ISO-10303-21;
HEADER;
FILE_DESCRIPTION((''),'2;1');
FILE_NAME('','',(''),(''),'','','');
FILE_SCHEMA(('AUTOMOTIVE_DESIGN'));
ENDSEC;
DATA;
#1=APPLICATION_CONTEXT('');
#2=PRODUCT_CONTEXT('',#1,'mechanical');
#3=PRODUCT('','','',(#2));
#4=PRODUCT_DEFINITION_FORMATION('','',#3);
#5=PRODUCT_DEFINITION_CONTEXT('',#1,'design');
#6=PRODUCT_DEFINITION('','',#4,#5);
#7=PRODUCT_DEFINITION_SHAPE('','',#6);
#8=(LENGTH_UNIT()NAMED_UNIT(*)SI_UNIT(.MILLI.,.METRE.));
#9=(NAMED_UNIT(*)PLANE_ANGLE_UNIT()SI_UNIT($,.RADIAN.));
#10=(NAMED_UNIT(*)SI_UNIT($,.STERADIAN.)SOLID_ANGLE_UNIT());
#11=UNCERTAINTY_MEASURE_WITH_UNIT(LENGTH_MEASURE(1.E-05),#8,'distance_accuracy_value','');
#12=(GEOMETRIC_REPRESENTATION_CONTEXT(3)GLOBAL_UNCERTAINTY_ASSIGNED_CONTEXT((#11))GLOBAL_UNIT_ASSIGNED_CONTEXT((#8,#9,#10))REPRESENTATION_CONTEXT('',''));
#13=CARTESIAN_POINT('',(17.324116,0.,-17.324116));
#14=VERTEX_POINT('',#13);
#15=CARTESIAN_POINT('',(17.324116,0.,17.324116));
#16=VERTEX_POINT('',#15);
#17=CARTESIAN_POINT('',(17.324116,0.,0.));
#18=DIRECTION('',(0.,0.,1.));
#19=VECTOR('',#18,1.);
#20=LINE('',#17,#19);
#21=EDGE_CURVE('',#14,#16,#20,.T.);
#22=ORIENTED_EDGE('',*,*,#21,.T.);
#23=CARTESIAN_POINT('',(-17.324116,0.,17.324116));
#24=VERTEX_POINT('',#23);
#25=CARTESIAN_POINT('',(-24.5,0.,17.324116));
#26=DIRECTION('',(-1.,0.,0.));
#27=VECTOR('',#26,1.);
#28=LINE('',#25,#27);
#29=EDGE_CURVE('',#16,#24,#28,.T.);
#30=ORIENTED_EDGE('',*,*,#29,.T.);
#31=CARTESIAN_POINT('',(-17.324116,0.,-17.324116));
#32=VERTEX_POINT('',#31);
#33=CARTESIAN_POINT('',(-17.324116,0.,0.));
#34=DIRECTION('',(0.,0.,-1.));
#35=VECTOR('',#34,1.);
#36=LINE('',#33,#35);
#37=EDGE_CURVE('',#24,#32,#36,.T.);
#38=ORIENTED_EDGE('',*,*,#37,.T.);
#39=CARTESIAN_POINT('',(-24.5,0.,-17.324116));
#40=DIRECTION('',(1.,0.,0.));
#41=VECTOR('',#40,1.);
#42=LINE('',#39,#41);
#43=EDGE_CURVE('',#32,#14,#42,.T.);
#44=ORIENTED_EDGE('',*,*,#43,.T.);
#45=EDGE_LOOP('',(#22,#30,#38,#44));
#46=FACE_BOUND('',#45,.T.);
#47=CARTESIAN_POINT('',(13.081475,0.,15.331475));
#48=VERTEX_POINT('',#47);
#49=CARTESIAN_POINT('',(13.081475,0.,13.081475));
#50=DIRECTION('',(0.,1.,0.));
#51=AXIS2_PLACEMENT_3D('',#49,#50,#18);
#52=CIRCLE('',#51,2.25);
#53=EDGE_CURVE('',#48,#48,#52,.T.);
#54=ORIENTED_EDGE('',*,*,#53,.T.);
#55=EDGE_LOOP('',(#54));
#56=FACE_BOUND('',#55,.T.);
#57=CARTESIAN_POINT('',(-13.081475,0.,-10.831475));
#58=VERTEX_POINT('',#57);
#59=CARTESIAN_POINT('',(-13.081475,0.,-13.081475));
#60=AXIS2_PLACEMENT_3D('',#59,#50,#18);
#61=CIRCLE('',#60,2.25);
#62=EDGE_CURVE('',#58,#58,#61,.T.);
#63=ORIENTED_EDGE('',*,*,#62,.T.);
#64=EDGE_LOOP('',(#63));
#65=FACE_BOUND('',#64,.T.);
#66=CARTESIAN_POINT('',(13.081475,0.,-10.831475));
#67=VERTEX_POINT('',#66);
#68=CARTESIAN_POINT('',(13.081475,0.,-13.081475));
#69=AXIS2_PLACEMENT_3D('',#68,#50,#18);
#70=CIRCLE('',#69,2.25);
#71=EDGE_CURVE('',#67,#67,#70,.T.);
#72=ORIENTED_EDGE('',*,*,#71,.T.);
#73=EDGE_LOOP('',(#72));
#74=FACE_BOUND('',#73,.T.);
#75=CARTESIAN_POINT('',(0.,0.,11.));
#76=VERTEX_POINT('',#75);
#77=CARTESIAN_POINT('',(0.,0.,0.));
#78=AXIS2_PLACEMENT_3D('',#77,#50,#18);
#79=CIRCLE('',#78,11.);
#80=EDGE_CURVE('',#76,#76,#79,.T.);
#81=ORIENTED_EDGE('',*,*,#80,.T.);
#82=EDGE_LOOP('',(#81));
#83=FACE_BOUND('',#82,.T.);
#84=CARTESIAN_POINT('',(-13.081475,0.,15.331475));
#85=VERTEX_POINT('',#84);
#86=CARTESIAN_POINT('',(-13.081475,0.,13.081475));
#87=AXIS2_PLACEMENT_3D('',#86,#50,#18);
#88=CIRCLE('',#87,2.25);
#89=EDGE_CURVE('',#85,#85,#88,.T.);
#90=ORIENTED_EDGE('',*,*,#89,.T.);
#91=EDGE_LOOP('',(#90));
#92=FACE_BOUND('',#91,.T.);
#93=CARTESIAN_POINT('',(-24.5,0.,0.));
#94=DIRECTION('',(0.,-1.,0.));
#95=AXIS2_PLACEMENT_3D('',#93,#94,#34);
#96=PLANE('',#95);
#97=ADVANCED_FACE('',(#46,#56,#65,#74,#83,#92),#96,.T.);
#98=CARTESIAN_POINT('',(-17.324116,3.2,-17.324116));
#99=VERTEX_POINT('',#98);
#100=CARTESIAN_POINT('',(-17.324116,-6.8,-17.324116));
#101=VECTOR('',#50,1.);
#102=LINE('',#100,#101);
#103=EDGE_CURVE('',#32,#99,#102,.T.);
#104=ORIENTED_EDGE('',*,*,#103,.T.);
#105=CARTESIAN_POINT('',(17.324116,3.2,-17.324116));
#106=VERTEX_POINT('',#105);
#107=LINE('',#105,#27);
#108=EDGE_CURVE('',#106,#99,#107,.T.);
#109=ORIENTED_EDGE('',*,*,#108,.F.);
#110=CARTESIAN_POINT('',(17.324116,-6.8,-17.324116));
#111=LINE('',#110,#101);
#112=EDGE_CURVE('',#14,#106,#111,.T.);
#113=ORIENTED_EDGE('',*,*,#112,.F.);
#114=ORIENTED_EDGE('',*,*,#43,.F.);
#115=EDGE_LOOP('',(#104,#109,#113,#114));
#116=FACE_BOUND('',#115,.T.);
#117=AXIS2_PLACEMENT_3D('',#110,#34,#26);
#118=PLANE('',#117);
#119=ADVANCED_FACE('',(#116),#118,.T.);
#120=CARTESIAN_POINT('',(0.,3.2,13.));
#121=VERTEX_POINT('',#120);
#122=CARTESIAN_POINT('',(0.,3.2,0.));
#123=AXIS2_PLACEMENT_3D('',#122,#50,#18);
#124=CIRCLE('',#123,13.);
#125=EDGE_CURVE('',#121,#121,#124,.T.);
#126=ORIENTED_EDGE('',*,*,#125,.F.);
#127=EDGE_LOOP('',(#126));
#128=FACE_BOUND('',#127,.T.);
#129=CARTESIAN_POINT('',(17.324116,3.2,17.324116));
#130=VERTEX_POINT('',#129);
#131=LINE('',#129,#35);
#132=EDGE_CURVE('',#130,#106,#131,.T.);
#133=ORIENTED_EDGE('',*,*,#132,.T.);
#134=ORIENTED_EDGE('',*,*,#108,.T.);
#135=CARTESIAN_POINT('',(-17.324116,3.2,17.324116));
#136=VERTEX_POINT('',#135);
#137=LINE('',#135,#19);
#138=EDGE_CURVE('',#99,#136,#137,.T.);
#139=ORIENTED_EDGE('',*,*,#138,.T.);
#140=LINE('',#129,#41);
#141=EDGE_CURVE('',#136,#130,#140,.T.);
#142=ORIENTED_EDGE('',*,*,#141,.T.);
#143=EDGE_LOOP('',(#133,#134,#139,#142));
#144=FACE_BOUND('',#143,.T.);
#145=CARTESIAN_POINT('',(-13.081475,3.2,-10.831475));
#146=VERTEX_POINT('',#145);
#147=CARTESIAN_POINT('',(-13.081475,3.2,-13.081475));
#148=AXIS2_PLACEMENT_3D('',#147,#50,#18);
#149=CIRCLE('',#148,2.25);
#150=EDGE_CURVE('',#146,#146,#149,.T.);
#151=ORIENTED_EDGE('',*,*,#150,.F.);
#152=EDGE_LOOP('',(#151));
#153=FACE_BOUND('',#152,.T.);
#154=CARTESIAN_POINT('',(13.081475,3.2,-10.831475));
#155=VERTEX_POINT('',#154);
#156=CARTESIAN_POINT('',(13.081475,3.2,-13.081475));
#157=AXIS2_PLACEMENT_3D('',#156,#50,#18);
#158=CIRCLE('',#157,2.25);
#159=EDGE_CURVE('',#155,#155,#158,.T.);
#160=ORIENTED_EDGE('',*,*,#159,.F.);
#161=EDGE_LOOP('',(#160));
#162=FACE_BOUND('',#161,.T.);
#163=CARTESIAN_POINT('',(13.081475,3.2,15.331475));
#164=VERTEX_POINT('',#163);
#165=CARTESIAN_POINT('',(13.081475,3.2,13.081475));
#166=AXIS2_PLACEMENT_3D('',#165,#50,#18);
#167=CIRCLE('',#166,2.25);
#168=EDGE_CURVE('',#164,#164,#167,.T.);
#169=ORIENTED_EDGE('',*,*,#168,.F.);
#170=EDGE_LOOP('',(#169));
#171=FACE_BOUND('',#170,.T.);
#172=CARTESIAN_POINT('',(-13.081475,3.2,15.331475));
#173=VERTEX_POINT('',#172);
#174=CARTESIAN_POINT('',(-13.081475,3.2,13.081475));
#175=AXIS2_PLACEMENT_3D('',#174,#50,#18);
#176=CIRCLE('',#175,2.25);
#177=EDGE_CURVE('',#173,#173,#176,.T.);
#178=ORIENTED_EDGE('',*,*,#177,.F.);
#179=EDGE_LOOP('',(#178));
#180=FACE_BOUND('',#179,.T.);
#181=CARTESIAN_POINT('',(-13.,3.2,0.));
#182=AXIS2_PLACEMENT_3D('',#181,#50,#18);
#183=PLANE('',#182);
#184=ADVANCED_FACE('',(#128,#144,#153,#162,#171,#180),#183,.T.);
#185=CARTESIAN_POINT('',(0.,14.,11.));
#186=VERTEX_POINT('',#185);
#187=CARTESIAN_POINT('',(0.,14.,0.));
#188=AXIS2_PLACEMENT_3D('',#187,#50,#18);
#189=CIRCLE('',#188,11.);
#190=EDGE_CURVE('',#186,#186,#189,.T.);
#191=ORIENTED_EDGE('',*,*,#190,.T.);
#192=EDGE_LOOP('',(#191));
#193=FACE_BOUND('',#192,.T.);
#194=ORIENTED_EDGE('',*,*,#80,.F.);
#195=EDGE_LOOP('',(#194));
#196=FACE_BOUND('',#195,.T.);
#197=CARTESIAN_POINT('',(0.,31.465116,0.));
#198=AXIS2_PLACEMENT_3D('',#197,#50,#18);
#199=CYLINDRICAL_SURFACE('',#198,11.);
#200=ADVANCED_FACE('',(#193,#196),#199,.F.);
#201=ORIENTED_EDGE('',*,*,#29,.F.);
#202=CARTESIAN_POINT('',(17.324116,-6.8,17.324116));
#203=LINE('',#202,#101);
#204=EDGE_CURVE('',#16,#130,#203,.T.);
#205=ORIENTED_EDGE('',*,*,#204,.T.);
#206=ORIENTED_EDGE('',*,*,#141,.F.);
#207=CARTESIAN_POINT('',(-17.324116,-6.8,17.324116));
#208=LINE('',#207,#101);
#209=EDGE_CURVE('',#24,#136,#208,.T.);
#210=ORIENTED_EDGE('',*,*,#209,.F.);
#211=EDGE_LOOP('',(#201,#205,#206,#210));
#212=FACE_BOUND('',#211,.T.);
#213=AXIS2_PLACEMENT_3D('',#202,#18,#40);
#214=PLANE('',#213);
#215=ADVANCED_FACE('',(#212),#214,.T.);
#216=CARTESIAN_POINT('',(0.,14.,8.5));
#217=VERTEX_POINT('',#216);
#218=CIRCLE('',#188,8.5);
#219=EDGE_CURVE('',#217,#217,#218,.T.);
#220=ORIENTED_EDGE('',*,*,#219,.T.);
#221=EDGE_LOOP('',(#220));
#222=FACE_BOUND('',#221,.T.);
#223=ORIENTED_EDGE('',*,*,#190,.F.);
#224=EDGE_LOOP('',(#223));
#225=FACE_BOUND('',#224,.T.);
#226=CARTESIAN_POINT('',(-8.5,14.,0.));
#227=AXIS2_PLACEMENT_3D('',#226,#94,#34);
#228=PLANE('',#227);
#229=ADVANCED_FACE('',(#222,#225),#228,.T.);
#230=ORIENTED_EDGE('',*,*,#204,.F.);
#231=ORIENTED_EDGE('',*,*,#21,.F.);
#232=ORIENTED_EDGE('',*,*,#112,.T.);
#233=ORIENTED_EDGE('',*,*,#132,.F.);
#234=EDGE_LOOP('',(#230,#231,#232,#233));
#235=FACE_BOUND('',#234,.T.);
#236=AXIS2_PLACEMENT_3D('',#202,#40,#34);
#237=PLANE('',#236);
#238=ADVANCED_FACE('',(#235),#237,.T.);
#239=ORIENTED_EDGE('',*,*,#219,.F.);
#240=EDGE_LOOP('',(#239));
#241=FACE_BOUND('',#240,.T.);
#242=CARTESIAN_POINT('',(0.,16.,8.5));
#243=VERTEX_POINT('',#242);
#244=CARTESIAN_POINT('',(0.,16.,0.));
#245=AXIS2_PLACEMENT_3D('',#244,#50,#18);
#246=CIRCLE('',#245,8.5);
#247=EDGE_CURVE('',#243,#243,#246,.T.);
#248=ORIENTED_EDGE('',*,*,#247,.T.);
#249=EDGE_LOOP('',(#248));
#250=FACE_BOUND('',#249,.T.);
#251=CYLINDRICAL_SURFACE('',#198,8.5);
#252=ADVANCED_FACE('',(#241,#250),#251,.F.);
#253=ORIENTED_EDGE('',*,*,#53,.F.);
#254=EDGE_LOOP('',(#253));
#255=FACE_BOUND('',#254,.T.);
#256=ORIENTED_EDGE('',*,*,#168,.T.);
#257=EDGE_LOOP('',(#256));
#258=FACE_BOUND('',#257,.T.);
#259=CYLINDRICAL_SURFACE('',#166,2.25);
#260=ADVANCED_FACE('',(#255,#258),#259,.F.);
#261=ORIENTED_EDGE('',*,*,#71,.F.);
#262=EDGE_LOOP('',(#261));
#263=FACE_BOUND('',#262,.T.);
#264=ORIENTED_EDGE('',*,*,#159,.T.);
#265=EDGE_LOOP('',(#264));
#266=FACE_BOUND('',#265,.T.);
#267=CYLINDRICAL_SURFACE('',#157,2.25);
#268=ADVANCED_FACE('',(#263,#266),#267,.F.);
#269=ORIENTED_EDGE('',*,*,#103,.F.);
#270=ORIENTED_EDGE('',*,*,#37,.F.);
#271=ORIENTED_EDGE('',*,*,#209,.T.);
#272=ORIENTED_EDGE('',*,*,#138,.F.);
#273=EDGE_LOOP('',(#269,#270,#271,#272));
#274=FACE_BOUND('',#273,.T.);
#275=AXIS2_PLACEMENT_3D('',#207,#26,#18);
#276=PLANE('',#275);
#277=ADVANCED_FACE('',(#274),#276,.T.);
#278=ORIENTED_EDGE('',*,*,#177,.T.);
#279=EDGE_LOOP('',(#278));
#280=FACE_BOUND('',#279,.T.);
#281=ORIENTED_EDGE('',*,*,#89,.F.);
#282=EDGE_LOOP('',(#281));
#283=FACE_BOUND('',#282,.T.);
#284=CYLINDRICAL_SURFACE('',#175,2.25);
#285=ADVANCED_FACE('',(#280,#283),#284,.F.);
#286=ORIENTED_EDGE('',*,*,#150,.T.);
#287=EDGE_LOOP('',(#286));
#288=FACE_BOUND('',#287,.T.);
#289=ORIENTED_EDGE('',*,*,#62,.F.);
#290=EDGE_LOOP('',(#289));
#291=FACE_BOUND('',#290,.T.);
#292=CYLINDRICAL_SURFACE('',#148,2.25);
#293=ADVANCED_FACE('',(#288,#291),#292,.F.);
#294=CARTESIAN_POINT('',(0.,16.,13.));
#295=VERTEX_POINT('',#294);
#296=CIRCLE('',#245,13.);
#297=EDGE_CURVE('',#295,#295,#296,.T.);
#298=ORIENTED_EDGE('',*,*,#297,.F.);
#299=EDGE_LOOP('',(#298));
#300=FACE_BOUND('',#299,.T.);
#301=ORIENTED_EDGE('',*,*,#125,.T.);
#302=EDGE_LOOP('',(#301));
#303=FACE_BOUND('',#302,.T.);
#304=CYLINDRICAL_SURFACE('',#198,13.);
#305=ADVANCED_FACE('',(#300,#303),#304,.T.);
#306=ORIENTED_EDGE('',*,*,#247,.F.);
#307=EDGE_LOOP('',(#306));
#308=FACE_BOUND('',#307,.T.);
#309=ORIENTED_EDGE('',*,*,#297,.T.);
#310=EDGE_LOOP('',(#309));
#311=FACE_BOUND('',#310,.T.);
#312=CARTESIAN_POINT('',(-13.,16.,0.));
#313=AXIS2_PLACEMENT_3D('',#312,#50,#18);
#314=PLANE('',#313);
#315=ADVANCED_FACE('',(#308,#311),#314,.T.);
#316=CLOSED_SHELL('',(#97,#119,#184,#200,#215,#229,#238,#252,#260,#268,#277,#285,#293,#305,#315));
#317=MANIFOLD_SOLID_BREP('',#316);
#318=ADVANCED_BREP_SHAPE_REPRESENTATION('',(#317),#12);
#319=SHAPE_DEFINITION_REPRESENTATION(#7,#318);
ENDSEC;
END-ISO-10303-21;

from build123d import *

# Parameters (mm, degrees)
M4_CLEARANCE_HOLE1_D = 4.5
SKETCH5_W            = 85.847558644
SKETCH5_H            = 65.066287946
SKETCH5_W_2          = 34.648232278
SKETCH5_H_2          = 34.648232278
CUT_EXTRUDE2_DEPTH   = 10


with BuildPart() as part:
    # Sketch1 → Revolve1 (revolve)
    with BuildSketch(Plane.XY):
        Polygon((-24.5, 0), (-11, 0), (-11, 14), (-8.5, 14), (-8.5, 16), (-13, 16), (-13, 3.2), (-24.5, 3.2), align=None)
    revolve(axis=Axis((0, 31.465116279, 0), (0, -1, 0)))

    # M4 Clearance Hole1 (through all)
    with Locations(Plane(origin=(0, 3.2, 0), x_dir=(1, 0, 0), z_dir=(0, 1, 0))):
        with Locations((-13.081475452, -13.081475452), (-13.081475452, 13.081475452), (13.081475452, 13.081475452), (13.081475452, -13.081475452)):
            Hole(M4_CLEARANCE_HOLE1_D / 2)

    # Sketch5 → Cut-Extrude2 (cut)
    with BuildSketch(Plane(origin=(0, 3.2, 0), x_dir=(1, 0, 0), z_dir=(0, 1, 0))):
        Rectangle(SKETCH5_W, SKETCH5_H)
        Rectangle(SKETCH5_W_2, SKETCH5_H_2, mode=Mode.SUBTRACT)
    extrude(amount=-CUT_EXTRUDE2_DEPTH, mode=Mode.SUBTRACT)


solid = part.part
